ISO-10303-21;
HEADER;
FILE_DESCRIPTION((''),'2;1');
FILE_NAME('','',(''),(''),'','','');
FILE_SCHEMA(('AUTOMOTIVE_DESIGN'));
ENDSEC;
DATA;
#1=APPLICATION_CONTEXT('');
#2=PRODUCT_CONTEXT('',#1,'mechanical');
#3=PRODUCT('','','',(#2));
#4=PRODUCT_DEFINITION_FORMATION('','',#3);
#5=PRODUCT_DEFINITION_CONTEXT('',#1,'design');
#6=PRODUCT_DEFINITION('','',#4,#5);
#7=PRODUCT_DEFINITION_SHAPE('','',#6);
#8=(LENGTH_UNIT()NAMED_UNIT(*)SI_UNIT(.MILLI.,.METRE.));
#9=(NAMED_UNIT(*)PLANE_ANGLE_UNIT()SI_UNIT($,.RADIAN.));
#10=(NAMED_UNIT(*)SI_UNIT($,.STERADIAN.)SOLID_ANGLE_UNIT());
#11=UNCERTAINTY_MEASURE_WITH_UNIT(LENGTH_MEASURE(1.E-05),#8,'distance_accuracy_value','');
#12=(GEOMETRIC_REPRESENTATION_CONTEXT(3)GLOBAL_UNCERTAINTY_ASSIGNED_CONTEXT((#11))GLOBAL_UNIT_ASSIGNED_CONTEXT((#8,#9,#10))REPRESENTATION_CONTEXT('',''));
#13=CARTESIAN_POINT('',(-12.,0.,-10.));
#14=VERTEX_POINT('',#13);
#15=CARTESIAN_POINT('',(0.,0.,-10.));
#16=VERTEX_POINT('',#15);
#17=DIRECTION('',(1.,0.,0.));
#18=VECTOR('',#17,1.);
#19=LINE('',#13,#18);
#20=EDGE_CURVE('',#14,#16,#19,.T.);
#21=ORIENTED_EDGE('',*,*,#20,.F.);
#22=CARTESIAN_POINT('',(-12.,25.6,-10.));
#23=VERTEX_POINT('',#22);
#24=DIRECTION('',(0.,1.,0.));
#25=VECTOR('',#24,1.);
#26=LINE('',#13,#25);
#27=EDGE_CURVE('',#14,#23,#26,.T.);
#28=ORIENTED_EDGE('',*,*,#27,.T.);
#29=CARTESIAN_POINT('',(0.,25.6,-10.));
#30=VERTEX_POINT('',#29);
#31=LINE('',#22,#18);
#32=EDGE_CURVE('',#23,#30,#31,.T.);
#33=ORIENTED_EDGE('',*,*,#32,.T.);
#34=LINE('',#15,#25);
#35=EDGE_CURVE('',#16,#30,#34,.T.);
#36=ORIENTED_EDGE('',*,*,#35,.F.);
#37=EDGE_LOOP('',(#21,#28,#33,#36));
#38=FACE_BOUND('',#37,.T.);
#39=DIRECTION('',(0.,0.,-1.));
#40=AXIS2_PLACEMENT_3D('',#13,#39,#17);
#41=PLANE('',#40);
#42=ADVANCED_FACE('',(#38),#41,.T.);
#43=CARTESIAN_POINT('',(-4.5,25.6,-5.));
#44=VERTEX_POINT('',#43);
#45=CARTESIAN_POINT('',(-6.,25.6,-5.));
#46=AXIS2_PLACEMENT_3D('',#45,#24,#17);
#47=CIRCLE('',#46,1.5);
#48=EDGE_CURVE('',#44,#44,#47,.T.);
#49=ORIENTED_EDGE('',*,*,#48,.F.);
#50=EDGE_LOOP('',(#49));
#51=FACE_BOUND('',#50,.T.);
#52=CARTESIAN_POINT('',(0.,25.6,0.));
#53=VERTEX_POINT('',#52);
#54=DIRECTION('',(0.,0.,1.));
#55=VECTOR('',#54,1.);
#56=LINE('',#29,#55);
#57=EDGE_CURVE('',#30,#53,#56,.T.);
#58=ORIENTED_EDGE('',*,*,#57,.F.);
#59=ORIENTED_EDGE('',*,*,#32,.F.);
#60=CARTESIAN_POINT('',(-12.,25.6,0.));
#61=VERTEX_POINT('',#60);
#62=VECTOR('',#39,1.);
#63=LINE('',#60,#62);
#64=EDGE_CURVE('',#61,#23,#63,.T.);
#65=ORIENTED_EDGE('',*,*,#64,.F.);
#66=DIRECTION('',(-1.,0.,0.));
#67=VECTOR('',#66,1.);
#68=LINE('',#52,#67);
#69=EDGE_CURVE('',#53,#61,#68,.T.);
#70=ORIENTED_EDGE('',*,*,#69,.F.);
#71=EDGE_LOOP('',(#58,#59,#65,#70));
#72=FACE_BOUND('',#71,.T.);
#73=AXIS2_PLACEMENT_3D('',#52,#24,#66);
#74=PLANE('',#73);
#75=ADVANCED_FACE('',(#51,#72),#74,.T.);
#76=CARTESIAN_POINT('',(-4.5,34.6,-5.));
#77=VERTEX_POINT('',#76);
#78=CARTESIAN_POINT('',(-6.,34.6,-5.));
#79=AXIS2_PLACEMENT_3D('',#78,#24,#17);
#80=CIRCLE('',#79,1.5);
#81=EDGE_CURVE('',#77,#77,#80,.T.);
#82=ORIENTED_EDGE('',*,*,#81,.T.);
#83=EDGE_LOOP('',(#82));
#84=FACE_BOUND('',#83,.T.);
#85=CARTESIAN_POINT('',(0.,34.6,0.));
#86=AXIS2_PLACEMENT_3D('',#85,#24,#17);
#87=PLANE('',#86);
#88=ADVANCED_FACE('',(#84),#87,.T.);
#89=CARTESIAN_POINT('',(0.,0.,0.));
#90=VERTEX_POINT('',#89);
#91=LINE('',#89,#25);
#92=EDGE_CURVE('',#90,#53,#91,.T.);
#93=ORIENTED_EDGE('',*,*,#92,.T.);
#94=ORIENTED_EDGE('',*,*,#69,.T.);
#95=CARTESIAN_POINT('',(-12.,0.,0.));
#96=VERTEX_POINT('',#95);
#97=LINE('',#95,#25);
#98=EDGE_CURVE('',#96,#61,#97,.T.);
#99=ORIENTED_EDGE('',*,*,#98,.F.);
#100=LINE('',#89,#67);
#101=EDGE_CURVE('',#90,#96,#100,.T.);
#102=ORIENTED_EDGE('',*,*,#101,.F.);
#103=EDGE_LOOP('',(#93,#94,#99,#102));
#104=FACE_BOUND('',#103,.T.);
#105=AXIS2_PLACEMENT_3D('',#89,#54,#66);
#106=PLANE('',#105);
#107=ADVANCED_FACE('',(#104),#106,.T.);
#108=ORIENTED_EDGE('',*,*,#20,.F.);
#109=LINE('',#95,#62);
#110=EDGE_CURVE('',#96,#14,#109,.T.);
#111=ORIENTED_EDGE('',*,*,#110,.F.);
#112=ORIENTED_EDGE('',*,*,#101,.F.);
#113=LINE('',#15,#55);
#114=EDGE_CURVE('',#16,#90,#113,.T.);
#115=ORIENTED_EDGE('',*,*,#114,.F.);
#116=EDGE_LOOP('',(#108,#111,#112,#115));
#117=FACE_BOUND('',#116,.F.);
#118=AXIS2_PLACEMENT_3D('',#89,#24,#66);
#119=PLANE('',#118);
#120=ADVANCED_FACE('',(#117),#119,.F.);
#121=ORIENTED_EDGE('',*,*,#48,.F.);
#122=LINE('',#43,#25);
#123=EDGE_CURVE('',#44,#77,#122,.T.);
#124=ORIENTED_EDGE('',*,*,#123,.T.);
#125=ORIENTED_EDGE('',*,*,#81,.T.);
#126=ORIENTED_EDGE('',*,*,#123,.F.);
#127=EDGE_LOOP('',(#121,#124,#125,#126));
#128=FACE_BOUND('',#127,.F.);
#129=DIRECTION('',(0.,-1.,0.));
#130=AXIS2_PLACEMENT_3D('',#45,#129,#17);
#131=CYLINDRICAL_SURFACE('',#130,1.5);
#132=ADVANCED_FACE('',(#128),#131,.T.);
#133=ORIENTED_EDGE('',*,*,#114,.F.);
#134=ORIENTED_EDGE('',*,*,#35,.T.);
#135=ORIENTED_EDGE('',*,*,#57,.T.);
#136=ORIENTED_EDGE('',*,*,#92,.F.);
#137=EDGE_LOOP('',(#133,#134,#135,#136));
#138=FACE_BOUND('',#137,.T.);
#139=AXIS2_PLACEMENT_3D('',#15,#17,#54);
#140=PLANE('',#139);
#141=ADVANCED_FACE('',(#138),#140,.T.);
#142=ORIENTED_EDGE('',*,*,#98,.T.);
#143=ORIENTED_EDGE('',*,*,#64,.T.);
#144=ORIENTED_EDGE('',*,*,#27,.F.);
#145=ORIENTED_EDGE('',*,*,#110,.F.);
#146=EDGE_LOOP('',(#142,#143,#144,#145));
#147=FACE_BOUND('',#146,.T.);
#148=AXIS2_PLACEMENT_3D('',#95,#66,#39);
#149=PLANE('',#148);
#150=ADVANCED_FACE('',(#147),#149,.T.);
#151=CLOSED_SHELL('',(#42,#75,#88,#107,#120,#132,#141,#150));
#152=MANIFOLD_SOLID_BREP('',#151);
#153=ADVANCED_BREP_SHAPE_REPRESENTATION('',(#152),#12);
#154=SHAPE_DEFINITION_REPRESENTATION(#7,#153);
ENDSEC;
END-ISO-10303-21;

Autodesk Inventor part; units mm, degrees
ref_plane "YZ Plane" through (0, 0, 0) normal (1, 0, 0) x (0, 1, 0)
ref_plane "XZ Plane" through (0, 0, 0) normal (0, 1, 0) x (-1, 0, 0)
ref_plane "XY Plane" through (0, 0, 0) normal (0, 0, 1) x (1, 0, 0)
sketch "Esquisse1" plane through (0, 0, 0) normal (0, 1, 0) x (-1, 0, 0)
  line L0 (0, 0) -> (12, 0)
  line L1 (12, 0) -> (12, -10)
  line L2 (12, -10) -> (0, -10)
  line L3 (0, -10) -> (0, 0)
  dimension "d0" = 10
  dimension "d1" = 12
extrude "Extrusion1" add sketch "Esquisse1" along normal blind 25.6
sketch "Esquisse2" plane through (0, 25.6, 0) normal (0, 1, 0) x (1, 0, 0)
  line L0 (-12, 0) -> (0, 0) construction
  line L1 (0, 0) -> (0, 10) construction
  line L2 (0, 10) -> (-12, 10) construction
  line L3 (-12, 10) -> (-12, 0) construction
  line L4 (-12, 5) -> (0, 5) construction
  line L5 (0, 0) -> (0, 10) construction
  circle A0 centre (-6, 5) radius 1.5
  dimension "d4" = 3
extrude "Extrusion2" add sketch "Esquisse2" along normal blind 9
properties part number "motor"
